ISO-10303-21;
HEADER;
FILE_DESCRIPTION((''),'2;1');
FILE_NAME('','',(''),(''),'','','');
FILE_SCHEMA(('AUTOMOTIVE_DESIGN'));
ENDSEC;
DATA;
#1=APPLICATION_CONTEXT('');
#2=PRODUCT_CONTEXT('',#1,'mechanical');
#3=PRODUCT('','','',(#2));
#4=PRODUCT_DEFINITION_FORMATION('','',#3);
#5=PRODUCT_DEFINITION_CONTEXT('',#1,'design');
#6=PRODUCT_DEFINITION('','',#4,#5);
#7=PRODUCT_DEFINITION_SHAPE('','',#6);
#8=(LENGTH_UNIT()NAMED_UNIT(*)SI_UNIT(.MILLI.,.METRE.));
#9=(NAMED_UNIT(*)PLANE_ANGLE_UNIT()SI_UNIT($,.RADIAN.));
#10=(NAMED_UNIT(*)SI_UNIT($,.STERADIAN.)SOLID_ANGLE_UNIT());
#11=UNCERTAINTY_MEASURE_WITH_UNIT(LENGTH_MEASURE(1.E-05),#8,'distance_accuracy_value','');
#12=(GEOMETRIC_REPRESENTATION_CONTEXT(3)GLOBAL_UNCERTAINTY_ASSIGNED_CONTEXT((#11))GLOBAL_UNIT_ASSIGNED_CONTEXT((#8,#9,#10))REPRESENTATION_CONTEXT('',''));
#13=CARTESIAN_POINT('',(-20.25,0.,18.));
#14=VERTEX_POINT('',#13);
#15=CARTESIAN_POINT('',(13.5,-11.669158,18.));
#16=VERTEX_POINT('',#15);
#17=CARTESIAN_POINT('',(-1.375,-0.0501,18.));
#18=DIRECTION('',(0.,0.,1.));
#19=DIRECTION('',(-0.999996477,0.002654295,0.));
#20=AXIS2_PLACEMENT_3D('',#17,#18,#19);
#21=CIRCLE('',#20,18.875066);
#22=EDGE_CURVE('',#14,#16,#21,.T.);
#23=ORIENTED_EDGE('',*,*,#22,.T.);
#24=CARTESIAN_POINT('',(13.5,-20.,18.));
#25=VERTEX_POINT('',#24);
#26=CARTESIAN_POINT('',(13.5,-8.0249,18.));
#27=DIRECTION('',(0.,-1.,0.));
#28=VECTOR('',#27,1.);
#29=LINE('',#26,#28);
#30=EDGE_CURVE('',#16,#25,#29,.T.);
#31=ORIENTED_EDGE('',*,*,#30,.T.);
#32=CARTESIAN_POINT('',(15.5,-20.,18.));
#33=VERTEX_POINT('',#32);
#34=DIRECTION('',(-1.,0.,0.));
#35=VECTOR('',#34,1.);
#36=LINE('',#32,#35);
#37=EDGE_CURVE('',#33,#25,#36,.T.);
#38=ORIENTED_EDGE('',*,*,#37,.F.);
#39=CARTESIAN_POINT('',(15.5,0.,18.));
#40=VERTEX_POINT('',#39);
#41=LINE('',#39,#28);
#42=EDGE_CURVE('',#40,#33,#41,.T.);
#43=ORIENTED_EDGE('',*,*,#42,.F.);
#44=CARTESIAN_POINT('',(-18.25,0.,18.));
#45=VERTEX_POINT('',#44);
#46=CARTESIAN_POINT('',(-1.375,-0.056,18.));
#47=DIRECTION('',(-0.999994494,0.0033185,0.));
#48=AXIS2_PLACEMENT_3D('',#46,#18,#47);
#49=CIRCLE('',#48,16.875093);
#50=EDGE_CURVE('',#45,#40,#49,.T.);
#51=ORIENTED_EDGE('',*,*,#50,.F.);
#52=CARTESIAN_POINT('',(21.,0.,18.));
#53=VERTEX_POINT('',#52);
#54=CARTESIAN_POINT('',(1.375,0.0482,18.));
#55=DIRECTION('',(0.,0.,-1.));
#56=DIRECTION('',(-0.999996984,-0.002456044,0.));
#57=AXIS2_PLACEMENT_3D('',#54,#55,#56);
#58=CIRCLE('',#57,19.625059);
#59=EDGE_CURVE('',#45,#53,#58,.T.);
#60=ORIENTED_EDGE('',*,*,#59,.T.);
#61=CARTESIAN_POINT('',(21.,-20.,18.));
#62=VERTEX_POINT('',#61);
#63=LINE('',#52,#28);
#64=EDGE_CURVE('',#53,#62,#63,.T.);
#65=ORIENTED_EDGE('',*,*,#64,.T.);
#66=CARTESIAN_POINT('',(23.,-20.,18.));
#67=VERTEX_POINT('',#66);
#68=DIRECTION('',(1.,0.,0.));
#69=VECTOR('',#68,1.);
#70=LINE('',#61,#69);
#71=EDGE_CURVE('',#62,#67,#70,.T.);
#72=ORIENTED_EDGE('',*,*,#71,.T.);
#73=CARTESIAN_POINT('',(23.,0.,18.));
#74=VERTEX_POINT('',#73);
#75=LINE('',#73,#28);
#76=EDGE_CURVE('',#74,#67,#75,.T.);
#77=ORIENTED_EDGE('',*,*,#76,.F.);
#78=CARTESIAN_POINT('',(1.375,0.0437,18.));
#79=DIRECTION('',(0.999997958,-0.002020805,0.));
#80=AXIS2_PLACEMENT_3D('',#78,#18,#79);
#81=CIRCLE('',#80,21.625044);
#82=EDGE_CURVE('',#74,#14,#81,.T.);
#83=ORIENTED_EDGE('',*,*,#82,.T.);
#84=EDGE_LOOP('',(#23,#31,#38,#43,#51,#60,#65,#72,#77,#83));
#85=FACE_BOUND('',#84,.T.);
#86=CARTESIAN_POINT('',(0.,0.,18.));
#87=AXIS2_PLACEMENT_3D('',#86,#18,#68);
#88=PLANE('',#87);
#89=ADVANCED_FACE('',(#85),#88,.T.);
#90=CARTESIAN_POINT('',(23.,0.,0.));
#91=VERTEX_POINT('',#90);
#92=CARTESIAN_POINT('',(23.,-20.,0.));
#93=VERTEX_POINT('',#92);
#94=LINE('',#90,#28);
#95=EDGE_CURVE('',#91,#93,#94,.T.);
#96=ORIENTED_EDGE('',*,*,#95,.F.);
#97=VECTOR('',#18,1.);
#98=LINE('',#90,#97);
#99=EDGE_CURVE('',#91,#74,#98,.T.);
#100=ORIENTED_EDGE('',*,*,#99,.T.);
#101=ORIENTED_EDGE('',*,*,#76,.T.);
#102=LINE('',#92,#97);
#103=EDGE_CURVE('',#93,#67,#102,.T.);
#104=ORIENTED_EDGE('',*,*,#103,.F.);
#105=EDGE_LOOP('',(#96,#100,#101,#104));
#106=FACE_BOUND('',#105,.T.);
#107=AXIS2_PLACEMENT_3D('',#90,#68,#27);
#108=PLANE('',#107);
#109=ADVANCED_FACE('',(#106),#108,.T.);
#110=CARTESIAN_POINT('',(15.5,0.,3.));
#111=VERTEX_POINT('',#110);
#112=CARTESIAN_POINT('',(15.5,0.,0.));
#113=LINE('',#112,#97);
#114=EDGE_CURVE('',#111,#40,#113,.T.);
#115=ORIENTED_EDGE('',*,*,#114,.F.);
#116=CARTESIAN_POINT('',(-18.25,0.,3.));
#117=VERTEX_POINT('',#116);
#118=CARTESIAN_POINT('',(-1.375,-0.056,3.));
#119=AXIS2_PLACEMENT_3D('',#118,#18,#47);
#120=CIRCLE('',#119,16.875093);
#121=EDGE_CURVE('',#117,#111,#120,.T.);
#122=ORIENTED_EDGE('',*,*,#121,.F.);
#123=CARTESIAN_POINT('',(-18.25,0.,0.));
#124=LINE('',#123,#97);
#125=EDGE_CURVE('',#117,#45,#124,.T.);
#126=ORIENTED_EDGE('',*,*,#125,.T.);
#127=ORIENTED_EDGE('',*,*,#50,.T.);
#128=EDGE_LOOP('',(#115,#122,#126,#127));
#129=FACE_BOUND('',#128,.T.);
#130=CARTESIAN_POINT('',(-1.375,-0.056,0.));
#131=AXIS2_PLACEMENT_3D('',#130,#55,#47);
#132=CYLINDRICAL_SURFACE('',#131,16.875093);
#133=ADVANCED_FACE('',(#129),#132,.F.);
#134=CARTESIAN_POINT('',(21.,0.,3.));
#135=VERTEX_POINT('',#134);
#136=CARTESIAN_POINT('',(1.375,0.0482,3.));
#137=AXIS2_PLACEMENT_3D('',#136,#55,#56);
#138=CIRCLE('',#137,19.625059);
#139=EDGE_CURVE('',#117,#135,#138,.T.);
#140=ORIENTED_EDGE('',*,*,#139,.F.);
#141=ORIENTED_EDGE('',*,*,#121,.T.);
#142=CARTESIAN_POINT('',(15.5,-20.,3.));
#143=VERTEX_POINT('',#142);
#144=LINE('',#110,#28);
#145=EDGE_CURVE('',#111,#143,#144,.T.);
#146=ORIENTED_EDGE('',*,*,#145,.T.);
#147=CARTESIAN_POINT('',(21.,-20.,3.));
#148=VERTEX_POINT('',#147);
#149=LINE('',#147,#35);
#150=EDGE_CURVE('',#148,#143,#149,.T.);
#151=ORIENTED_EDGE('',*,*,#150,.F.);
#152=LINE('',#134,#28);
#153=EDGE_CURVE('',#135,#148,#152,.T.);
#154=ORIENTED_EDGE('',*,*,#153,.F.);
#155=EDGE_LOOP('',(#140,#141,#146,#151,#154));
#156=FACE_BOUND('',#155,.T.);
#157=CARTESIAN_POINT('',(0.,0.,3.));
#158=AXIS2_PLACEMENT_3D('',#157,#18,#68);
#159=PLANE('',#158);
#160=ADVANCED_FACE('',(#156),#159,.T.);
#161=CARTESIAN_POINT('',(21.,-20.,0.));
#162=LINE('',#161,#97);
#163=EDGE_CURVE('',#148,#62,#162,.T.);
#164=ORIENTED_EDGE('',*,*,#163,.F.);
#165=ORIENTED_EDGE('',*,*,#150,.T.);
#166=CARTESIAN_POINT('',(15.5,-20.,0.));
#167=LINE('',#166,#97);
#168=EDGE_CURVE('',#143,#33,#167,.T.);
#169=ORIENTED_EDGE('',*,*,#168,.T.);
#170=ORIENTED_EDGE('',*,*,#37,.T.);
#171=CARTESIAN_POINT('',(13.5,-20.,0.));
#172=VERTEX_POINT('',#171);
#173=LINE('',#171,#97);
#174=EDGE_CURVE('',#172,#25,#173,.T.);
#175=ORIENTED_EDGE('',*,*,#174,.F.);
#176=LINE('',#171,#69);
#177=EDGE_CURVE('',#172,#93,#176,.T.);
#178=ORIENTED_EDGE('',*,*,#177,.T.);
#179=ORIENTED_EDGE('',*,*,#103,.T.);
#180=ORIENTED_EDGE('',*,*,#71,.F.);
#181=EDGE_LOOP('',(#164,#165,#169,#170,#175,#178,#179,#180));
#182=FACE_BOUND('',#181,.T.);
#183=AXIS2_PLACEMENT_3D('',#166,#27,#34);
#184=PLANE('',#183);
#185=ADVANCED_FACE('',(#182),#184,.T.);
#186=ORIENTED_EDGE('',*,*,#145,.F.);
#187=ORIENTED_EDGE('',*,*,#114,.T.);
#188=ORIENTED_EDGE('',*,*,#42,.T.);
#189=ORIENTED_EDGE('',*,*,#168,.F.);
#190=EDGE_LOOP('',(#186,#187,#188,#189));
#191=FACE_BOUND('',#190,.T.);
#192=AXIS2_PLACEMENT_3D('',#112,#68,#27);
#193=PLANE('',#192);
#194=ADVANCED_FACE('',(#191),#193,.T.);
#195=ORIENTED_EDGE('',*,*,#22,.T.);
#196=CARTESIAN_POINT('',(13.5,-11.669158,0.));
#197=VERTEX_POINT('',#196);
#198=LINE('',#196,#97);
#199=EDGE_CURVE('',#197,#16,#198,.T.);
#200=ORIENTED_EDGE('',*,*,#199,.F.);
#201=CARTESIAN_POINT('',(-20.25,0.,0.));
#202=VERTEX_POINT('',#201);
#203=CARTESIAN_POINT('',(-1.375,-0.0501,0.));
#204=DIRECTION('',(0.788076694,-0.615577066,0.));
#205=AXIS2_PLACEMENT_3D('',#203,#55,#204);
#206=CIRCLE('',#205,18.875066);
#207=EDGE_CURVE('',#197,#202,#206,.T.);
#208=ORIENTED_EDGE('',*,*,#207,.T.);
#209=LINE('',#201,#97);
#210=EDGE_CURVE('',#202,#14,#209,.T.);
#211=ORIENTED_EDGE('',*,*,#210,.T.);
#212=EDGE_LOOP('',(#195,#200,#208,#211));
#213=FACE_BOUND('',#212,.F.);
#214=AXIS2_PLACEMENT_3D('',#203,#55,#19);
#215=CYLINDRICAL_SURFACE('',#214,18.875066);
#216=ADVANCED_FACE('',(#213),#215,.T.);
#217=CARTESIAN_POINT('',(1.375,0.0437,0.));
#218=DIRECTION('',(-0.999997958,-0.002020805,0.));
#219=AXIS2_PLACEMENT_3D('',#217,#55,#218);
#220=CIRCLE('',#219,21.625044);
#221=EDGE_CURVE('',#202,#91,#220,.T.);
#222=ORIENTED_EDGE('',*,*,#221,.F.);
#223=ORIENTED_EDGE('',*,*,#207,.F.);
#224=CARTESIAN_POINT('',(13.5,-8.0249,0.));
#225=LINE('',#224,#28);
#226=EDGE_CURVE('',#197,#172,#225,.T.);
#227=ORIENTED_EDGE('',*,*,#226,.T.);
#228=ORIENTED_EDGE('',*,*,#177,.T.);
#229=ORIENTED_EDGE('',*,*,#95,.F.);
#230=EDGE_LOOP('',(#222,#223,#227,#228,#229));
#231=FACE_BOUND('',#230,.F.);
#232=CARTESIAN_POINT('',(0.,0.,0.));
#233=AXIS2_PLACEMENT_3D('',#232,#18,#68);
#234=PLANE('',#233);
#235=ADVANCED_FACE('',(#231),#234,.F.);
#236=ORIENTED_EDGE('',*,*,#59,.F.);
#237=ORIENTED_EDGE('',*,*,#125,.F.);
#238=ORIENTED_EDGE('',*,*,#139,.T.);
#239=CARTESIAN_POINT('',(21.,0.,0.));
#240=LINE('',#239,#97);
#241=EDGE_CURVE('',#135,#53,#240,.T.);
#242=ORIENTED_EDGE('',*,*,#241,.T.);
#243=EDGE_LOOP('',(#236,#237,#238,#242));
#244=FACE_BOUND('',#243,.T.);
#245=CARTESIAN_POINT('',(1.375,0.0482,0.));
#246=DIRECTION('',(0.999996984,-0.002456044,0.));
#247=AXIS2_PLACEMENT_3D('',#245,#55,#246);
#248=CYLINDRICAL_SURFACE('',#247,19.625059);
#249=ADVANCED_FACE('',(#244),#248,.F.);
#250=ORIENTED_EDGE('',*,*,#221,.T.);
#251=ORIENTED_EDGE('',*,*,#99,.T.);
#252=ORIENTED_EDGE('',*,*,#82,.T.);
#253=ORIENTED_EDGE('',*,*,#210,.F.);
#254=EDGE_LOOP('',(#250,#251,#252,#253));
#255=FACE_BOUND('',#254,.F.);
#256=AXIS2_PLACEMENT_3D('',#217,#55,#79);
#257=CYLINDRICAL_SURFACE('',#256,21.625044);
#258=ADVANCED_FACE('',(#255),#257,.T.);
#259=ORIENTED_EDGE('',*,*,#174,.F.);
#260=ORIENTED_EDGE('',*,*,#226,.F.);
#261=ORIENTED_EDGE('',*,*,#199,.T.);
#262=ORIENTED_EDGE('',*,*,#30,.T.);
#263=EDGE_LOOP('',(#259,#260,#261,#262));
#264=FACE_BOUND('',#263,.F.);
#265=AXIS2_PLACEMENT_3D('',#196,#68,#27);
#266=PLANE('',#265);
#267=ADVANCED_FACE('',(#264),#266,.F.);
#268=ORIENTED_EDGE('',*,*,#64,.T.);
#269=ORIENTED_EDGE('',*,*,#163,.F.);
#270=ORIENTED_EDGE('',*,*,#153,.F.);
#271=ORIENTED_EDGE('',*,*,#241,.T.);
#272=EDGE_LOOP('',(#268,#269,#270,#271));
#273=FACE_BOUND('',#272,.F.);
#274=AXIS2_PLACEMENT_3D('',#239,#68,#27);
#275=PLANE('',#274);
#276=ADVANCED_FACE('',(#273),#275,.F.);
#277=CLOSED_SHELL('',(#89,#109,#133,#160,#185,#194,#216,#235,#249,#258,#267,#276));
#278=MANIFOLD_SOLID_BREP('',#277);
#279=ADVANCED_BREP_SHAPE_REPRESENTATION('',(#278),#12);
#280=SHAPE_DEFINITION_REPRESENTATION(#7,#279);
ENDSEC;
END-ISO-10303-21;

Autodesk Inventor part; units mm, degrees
ref_plane "YZ Plane" through (0, 0, 0) normal (1, 0, 0) x (0, 1, 0)
ref_plane "XZ Plane" through (0, 0, 0) normal (0, 1, 0) x (-1, 0, 0)
ref_plane "XY Plane" through (0, 0, 0) normal (0, 0, 1) x (1, 0, 0)
ref_plane "Work Plane1" through (0, 0, 0) normal (0, 0, 1) x (1, 0, 0)
sketch "Sketch1" plane through (0, 0, 0) normal (0, 0, 1) x (1, 0, 0)
  line L0 (0, 0) -> (21, 0)
  line L1 (15.5, 0) -> (15.5, -20)
  circle A0 centre (0, 0) radius 15.5
  line L2 (0, 0) -> (14.0478, -6.5506)
  line L3 (0, 0) -> (0, -16.875)
  line L4 (0, 0) -> (-18.25, 0)
  line L5 (0, 0) -> (0, 19.625)
  arc A1 (-18.25, 0) -> (15.5, 0) centre (-1.375, -0.056) ccw
  arc A2 (21, 0) -> (-18.25, 0) centre (1.375, 0.0482) ccw
  line L6 (21, 0) -> (21, -20)
  line L7 (0, 0) -> (0, -18.875)
  line L8 (0, 0) -> (-20.25, 0)
  line L9 (0, 0) -> (0, 21.625)
  line L10 (0, 0) -> (23, 0)
  line L11 (0, 0) -> (17.5, 0)
  arc A3 (-20.25, 0) -> (17.5, 0) centre (-1.375, -0.0501) ccw
  arc A4 (23, 0) -> (-20.25, 0) centre (1.375, 0.0437) ccw
  line L12 (13.5, -8.0249) -> (13.5, -20)
  line L13 (15.5, -20) -> (13.5, -20)
  line L14 (23, 0) -> (23, -20)
  line L15 (21, -20) -> (23, -20)
  line L16 (21, -20) -> (15.5, -20)
  point P0 (15.5, -8.506)
  point P1 (15.5, -0.112)
  point P2 (21, 0)
  point P3 (13.5, -14.0125)
  point P4 (13.5, -11.6691)
  dimension "d2" = 31
  dimension "d0" = 21
  dimension "d1" = 15.5
  dimension "d3" = 25
  dimension "d4" = 16.875
  dimension "d5" = 18.25
  dimension "d6" = 19.625
  dimension "d7" = 20
  dimension "d8" = 20
  dimension "d9" = 2
  dimension "d10" = 2
  dimension "d11" = 2
  dimension "d12" = 2
  dimension "d13" = 2
  dimension "d16" = 2
extrude "Extrusion1" add sketch "Sketch1" along normal blind 18 contours L1 A3 L12 A1 | L1 L13 L12 A3 | L12 A3 L7 A1 | L7 A3 L8 A1 | L8 A4 L9 A2 | L9 A4 L10 A2 | L10 L14 L15 L6
extrude "Extrusion2" add sketch "Sketch1" along normal blind 3 contours L5 A0 L0 | L0 A0 L2 | L2 A0 L3 | L3 A0 L4 | L4 A0 L5 | A0 L5 A2 L0 | L0 A3 L1 | A1 L3 A0 | L3 A1 L4 A0 | L4 A2 L5 A0 | L0 L6 L16 L1 A3
sketch "Sketch2" plane through (13.5, -20, 0) normal (0, -1, 0) x (1, 0, 0)
  circle A0 centre (4.7788, 10.8992) radius 2.75
  point P0 (-13.5, 0)
  dimension "d19" = 5.5
equation "\"d2\" = VoluteCaseInnerSize"
equation "\"d0\" = 0.5 * VoluteCaseOuterSize"
equation "\"d1\" = 0.5 * VoluteCaseInnerSize"
equation "\"d3\" = VoluteStartAngle"
equation "\"d4\" = 0.375 * VoluteCaseInnerSize + 0.125 * VoluteCaseOuterSize"
equation "\"d5\" = 0.25 * VoluteCaseInnerSize + 0.25 * VoluteCaseOuterSize"
equation "\"d6\" = 0.125 * VoluteCaseInnerSize + 0.375 * VoluteCaseOuterSize"
equation "\"d7\" = VoluteOutletLength"
equation "\"d8\" = VoluteOutletLength"
equation "\"d9\" = VoluteWallThickness"
equation "\"d10\" = VoluteWallThickness"
equation "\"d11\" = VoluteWallThickness"
equation "\"d12\" = VoluteWallThickness"
equation "\"d13\" = VoluteWallThickness"
equation "\"d16\" = VoluteWallThickness"
equation "\"d14\" = VoluteBaseWallThickness + VoluteWallDepth"
equation "\"d17\" = VoluteBaseWallThickness"
equation "\"d19\" = OutletRadius"
equation "\"PropHoleDiameter\" = 8.2"
equation "\"PropBladeThickness\" = 1"
equation "\"PropPlateThickness\" = 2"
equation "\"VoluteCaseInnerSize\" = 31"
equation "\"VoluteCaseOuterSize\" = 42"
equation "\"VoluteWallThickness\" = 2"
equation "\"VoluteStartAngle\" = 25deg"
equation "\"VoluteOutletLength\" = 20"
equation "\"VoluteBaseWallThickness\" = 3"
equation "\"VoluteWallDepth\" = 15"
equation "\"OutletRadius\" = 5.5"
properties part number "volute_case"
